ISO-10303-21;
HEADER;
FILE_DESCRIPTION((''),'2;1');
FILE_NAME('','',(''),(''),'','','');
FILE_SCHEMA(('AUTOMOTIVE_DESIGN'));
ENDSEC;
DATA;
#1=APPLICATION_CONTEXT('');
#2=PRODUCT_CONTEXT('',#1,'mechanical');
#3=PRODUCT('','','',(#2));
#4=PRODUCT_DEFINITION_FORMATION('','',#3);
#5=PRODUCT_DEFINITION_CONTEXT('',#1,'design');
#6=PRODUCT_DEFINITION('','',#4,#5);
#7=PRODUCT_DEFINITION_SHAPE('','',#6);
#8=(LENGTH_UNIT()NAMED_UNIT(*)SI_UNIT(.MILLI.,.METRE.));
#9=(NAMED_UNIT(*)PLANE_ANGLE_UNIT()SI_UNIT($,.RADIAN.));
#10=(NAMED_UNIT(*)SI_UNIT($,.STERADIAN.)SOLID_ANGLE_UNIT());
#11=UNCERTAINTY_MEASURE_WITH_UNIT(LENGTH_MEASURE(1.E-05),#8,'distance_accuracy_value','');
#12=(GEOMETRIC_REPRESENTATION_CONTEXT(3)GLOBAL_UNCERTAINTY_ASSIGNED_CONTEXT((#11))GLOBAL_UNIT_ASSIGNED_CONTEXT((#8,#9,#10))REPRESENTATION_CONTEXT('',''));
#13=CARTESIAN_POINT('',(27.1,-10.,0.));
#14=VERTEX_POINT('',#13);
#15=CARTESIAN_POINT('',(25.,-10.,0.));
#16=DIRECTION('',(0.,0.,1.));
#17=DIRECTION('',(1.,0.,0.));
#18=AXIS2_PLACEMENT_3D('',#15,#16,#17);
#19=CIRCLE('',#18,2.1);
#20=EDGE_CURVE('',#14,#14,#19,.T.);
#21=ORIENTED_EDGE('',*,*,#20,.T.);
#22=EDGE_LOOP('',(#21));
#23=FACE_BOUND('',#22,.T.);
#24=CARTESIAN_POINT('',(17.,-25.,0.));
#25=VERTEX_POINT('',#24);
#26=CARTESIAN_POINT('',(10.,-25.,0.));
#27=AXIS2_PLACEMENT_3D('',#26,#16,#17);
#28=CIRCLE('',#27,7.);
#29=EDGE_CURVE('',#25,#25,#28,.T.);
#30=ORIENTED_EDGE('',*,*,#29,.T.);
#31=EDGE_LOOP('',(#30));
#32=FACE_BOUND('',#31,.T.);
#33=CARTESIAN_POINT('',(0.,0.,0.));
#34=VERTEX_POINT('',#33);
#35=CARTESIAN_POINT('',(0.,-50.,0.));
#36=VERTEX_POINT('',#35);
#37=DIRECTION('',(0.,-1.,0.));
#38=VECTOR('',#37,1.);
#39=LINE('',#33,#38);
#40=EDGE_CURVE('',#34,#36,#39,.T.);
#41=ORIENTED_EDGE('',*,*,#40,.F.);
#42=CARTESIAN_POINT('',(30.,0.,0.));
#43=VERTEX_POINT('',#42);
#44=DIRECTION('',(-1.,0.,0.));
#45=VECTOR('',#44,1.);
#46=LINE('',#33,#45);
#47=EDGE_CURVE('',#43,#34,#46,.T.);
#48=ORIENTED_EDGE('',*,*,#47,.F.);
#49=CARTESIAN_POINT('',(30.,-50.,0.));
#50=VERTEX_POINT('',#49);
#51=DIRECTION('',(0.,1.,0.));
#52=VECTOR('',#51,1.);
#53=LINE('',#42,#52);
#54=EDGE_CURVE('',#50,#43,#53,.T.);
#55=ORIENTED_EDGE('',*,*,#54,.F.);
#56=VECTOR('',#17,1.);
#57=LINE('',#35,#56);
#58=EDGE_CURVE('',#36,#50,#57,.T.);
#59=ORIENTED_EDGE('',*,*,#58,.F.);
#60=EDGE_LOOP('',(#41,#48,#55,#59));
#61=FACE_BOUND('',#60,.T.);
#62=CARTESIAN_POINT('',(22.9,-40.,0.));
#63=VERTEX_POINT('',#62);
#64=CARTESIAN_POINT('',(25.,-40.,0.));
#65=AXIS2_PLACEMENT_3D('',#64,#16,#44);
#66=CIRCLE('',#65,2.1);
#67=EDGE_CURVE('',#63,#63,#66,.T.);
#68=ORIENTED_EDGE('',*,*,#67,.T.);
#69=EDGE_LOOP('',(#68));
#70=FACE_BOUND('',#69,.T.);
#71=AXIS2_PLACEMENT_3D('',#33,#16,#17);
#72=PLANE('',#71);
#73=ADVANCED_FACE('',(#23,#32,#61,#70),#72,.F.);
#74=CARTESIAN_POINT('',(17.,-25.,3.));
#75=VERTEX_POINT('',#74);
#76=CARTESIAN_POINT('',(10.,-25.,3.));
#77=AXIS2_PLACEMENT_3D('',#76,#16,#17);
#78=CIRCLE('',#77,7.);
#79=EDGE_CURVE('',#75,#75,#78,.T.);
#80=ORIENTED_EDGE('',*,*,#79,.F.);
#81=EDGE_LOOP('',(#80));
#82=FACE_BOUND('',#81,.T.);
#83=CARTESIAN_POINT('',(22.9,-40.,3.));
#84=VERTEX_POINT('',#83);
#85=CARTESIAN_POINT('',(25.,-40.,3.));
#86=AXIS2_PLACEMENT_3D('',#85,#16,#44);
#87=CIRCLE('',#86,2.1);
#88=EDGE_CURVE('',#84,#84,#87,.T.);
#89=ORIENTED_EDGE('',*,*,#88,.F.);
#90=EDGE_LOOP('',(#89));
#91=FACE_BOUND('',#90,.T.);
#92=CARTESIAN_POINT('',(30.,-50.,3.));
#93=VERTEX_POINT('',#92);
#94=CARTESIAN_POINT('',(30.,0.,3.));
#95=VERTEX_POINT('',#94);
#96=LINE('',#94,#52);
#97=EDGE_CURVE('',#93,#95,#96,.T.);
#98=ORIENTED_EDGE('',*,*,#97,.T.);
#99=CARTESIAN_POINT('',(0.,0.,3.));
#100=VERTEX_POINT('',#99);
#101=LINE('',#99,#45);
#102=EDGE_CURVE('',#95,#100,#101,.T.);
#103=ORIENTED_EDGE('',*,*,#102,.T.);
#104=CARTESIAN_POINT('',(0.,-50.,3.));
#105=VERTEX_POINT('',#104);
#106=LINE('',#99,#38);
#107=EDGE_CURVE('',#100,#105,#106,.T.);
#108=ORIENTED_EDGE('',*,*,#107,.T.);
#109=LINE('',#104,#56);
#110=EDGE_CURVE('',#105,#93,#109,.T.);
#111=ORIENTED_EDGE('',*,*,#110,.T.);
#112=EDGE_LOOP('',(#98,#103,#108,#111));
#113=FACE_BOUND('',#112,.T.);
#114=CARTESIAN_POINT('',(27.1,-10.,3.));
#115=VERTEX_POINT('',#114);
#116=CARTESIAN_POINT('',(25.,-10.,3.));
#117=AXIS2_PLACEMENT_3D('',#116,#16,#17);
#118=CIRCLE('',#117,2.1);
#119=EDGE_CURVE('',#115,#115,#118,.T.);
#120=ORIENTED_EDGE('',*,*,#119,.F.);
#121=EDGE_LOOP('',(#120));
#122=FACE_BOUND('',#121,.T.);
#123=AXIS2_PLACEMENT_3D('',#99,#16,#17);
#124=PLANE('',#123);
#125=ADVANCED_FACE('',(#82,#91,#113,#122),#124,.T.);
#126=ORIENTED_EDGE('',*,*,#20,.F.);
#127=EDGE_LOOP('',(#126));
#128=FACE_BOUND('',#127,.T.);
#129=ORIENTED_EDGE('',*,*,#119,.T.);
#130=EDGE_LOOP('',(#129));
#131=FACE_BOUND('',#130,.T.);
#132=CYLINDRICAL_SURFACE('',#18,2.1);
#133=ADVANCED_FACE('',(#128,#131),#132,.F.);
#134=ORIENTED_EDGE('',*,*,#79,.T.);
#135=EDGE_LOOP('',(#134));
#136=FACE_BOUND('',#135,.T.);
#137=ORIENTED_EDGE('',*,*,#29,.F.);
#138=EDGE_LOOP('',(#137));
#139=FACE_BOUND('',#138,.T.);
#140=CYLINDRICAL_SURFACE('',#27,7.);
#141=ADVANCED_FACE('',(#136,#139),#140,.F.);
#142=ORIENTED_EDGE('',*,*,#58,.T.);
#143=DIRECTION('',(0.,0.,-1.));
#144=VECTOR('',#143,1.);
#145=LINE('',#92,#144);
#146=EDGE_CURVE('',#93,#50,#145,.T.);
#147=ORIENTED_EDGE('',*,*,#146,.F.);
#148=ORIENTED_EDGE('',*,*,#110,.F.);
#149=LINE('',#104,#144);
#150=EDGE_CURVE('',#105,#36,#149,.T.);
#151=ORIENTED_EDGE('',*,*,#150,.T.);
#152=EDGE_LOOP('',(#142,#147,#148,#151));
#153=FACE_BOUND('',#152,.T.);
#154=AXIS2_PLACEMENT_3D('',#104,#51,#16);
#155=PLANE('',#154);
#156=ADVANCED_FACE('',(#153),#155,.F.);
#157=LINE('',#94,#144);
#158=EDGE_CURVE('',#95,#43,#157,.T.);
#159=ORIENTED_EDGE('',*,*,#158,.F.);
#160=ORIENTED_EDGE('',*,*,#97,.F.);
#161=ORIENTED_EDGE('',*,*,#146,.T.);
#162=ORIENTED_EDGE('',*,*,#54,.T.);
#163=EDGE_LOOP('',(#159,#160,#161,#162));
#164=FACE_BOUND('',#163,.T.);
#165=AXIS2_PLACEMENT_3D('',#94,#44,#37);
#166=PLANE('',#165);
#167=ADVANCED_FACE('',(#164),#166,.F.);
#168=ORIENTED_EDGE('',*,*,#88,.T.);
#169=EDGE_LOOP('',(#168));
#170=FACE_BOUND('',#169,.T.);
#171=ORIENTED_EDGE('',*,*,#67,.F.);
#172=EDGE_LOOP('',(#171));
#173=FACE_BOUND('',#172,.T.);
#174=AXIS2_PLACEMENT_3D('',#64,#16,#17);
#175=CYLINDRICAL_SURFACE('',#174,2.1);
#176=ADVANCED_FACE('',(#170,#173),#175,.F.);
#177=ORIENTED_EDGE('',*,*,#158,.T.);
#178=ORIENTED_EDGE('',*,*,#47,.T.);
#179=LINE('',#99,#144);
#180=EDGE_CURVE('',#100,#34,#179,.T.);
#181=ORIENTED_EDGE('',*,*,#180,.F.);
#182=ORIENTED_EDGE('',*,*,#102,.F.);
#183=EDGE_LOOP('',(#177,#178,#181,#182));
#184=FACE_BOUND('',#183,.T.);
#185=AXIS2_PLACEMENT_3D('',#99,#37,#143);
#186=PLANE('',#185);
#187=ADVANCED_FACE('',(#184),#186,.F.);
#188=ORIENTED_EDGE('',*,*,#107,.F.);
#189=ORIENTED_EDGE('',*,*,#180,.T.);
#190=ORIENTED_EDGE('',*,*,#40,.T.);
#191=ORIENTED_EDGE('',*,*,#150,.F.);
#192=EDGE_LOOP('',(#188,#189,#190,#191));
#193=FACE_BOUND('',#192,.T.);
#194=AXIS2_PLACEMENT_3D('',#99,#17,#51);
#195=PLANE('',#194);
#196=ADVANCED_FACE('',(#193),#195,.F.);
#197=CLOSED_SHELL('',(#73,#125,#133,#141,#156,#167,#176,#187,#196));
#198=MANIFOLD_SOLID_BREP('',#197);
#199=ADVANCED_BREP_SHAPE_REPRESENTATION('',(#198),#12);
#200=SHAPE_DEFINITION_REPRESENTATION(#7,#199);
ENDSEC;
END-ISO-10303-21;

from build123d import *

# Parameters (mm, degrees)
SKETCH_1_W          = 30
SKETCH_1_H          = 50
EXTRUDE_1_DEPTH     = 3
SKETCH_2_R          = 7
SKETCH_2_R_2        = 2.1
CUT_EXTRUDE_1_DEPTH = 59.386642308


with BuildPart() as part:
    # 草图1 → 凸台-拉伸1 (new body)
    with BuildSketch(Plane.XY):
        with Locations((15, -25)):
            Rectangle(SKETCH_1_W, SKETCH_1_H)
    extrude(amount=EXTRUDE_1_DEPTH)

    # 草图2 → 切除-拉伸1 (cut, through all)
    with BuildSketch(Plane.XY.offset(3)):
        with Locations((10, -25)):
            Circle(SKETCH_2_R)
        with Locations((25, -10)):
            Circle(SKETCH_2_R_2)
        with Locations(Location((25, -40, 0), (0, 0, 180))):
            Circle(SKETCH_2_R_2)
    extrude(amount=-CUT_EXTRUDE_1_DEPTH, mode=Mode.SUBTRACT)


solid = part.part
